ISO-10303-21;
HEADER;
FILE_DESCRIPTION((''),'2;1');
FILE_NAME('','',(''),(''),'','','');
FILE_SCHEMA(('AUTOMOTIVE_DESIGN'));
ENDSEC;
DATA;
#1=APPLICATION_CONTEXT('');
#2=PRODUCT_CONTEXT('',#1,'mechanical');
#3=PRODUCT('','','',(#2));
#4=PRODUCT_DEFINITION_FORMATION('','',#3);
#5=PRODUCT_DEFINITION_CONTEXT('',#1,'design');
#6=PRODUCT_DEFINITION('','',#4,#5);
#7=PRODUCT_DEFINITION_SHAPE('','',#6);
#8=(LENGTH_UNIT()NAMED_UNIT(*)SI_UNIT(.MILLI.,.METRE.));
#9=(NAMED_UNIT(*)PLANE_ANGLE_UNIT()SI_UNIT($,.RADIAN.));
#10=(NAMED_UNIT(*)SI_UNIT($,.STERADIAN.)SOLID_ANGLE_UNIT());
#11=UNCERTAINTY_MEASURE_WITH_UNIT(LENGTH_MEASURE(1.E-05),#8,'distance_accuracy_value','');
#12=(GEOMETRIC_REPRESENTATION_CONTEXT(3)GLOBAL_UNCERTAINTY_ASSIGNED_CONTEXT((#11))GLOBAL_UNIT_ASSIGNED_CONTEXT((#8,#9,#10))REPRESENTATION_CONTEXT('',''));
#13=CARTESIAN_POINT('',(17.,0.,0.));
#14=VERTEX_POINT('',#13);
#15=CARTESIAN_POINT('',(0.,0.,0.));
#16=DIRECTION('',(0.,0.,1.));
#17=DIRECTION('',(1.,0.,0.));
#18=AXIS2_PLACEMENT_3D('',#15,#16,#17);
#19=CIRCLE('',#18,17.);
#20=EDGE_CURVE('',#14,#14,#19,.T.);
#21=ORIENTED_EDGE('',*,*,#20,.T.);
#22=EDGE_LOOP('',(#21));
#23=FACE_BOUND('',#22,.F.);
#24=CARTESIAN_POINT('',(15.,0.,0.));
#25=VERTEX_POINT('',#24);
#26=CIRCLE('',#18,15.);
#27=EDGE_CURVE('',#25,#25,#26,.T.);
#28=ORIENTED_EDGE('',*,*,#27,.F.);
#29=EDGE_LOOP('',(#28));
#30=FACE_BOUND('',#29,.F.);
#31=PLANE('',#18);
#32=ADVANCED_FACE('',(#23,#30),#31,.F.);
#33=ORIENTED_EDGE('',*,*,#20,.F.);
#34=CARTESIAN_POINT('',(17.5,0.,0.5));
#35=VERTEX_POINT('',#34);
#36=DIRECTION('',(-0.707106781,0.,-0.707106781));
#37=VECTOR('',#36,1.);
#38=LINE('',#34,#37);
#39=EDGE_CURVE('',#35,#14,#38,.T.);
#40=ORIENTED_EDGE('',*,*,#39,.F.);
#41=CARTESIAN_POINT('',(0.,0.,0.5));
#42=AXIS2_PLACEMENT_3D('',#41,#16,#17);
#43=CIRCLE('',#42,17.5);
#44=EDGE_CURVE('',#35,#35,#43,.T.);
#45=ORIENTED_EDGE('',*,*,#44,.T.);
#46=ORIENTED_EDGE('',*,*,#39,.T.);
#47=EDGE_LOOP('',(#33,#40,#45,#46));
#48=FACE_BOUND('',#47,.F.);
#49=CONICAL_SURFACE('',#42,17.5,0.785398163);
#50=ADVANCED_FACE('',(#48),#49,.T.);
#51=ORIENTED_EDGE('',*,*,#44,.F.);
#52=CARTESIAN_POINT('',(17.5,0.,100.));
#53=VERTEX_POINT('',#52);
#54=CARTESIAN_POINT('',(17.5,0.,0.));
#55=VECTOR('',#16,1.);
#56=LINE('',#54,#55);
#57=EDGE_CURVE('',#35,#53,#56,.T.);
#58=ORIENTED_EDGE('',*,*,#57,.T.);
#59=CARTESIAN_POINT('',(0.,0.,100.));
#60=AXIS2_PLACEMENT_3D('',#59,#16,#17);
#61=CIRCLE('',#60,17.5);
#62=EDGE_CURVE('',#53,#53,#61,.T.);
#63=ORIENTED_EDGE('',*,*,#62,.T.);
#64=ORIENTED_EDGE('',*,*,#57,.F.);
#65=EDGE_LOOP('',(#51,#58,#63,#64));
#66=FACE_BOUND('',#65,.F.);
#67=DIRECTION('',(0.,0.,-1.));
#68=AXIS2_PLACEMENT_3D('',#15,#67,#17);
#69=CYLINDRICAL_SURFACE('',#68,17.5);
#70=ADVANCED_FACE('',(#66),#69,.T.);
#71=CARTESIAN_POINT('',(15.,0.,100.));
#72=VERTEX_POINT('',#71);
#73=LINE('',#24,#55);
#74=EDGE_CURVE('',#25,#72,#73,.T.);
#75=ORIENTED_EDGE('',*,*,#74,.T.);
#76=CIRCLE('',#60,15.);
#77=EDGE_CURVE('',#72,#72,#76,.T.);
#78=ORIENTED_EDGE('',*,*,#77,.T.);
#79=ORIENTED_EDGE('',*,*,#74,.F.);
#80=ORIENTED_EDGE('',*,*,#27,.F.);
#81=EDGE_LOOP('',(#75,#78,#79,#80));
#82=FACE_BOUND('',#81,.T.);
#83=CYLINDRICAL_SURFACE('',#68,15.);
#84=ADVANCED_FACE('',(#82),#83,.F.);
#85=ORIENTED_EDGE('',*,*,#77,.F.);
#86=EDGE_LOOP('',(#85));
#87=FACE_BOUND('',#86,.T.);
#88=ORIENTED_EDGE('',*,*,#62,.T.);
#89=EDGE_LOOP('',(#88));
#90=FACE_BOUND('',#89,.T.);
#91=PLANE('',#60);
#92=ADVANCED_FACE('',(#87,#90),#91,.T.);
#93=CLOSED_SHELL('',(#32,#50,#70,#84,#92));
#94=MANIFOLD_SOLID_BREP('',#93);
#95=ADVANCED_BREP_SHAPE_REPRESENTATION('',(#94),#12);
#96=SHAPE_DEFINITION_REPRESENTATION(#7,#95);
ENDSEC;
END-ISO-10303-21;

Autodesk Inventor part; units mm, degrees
ref_plane "YZ Plane" through (0, 0, 0) normal (1, 0, 0) x (0, 1, 0)
ref_plane "XZ Plane" through (0, 0, 0) normal (0, 1, 0) x (-1, 0, 0)
ref_plane "XY Plane" through (0, 0, 0) normal (0, 0, 1) x (1, 0, 0)
sketch "Esquisse1" plane through (0, 0, 0) normal (0, 0, 1) x (1, 0, 0)
  circle A0 centre (0, 0) radius 15
  circle A1 centre (0, 0) radius 17.5
  dimension "d0" = 2.5
  dimension "d1" = 35
  dimension "d6" = 30
extrude "Extrusion1" add sketch "Esquisse1" along normal blind 100
thread "Filetage1" size "M30x2" class "6H" standard "ISO Metric profile" length 20
chamfer "Chanfrein1" distance 0.5 angle 45 1 edges at (-17.5, 0, 0)
properties part number "tube_reservoir" material "Acier, galvanisé"
